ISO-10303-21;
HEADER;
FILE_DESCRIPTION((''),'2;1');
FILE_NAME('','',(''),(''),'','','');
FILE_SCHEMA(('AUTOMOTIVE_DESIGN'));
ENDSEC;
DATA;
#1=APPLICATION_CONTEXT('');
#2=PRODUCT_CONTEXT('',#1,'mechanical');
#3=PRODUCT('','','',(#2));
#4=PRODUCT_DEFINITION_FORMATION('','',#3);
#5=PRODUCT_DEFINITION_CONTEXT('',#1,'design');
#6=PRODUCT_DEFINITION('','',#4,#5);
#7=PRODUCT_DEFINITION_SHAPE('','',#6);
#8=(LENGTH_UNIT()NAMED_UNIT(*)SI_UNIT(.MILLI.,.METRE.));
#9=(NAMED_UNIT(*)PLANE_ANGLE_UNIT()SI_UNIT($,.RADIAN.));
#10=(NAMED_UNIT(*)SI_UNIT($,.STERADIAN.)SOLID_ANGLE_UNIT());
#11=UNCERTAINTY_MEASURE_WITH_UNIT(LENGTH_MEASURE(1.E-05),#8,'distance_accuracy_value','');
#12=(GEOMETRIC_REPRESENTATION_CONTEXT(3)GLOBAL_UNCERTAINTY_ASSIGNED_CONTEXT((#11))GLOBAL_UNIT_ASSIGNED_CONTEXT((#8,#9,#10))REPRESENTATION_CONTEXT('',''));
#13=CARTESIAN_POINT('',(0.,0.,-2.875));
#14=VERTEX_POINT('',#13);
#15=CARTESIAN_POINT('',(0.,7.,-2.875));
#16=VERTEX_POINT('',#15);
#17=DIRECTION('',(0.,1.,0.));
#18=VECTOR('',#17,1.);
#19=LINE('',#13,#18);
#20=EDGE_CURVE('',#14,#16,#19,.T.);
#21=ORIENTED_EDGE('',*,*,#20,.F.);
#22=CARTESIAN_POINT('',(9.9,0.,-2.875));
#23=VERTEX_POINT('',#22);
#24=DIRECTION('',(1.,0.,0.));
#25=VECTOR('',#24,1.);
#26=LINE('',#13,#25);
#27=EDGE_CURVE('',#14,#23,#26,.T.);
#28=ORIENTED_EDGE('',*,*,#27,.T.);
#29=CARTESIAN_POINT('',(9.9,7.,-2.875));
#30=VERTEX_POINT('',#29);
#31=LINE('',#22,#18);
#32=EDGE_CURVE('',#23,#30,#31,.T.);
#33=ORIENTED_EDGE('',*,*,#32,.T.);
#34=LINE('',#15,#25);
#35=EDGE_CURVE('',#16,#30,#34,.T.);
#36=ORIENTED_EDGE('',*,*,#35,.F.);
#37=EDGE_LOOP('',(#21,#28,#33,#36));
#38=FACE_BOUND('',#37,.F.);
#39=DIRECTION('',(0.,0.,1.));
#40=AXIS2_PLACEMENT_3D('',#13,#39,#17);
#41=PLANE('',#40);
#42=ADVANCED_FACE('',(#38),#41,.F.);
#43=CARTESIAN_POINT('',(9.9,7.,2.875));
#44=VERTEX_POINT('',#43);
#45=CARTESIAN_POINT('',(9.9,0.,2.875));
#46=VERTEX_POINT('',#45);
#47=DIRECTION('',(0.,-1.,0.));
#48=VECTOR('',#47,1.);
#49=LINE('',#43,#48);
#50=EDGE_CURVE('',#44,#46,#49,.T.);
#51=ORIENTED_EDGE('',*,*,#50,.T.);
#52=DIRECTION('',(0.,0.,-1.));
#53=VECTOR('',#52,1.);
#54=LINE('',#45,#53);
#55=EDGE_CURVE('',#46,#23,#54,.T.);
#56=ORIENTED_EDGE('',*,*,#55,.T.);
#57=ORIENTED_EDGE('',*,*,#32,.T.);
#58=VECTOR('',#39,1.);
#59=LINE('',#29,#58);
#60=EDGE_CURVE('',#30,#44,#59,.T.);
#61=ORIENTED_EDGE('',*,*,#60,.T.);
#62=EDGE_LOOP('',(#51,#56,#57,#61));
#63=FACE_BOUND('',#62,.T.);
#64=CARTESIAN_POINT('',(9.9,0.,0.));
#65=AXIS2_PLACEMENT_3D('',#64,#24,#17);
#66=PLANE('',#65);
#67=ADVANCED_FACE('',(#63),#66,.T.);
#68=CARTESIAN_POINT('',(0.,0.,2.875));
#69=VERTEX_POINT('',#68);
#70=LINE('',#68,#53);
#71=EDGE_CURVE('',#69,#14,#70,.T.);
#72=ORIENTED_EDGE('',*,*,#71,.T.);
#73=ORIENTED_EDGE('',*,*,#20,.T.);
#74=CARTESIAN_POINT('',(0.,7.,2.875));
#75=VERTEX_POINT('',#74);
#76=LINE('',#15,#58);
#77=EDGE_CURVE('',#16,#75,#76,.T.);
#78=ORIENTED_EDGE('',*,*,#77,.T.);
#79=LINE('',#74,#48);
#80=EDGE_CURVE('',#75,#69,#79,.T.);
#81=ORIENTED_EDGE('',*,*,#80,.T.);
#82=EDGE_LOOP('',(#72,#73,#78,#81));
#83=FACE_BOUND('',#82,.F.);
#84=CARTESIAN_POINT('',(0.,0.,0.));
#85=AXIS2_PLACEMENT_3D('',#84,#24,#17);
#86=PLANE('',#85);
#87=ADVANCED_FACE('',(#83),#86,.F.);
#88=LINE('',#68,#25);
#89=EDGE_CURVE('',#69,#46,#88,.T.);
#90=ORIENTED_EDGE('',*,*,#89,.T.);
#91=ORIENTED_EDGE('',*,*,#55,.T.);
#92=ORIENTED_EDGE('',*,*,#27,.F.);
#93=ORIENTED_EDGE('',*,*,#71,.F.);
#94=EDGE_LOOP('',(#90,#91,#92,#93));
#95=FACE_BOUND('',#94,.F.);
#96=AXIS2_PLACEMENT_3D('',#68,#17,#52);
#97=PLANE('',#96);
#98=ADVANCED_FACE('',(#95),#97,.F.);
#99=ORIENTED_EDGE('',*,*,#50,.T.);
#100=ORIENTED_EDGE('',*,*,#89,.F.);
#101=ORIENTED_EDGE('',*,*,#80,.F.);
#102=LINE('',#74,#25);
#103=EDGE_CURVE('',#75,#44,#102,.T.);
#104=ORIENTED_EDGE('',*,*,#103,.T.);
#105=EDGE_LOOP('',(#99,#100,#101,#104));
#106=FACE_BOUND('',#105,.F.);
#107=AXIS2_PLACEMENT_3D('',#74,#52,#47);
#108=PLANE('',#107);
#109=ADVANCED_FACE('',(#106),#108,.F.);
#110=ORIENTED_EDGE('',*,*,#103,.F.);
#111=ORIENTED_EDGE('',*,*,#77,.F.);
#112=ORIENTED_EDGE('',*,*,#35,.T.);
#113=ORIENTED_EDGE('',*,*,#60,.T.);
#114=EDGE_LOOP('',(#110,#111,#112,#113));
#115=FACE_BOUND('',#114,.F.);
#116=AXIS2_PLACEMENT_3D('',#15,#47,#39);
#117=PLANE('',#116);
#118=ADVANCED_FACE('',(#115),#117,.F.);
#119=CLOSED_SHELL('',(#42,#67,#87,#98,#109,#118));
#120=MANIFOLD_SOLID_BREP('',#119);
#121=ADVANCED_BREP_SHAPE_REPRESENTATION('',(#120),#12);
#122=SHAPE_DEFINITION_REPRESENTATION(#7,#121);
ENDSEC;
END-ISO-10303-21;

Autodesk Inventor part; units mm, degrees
ref_plane "YZ Plane" through (0, 0, 0) normal (1, 0, 0) x (0, 1, 0)
ref_plane "XZ Plane" through (0, 0, 0) normal (0, 1, 0) x (-1, 0, 0)
ref_plane "XY Plane" through (0, 0, 0) normal (0, 0, 1) x (1, 0, 0)
sketch "スケッチ1" plane through (0, 0, 0) normal (1, 0, 0) x (0, 1, 0)
  line L0 (7, 2.875) -> (0, 2.875)
  line L1 (0, 2.875) -> (0, -2.875)
  line L2 (0, -2.875) -> (7, -2.875)
  line L3 (7, -2.875) -> (7, 2.875)
  point P0 (0, 0)
  point P1 (0, 0)
  dimension "d0" = 7
  dimension "d1" = 5.75
extrude "押し出し1" add sketch "スケッチ1" along normal blind 9.9
properties part number "3"
